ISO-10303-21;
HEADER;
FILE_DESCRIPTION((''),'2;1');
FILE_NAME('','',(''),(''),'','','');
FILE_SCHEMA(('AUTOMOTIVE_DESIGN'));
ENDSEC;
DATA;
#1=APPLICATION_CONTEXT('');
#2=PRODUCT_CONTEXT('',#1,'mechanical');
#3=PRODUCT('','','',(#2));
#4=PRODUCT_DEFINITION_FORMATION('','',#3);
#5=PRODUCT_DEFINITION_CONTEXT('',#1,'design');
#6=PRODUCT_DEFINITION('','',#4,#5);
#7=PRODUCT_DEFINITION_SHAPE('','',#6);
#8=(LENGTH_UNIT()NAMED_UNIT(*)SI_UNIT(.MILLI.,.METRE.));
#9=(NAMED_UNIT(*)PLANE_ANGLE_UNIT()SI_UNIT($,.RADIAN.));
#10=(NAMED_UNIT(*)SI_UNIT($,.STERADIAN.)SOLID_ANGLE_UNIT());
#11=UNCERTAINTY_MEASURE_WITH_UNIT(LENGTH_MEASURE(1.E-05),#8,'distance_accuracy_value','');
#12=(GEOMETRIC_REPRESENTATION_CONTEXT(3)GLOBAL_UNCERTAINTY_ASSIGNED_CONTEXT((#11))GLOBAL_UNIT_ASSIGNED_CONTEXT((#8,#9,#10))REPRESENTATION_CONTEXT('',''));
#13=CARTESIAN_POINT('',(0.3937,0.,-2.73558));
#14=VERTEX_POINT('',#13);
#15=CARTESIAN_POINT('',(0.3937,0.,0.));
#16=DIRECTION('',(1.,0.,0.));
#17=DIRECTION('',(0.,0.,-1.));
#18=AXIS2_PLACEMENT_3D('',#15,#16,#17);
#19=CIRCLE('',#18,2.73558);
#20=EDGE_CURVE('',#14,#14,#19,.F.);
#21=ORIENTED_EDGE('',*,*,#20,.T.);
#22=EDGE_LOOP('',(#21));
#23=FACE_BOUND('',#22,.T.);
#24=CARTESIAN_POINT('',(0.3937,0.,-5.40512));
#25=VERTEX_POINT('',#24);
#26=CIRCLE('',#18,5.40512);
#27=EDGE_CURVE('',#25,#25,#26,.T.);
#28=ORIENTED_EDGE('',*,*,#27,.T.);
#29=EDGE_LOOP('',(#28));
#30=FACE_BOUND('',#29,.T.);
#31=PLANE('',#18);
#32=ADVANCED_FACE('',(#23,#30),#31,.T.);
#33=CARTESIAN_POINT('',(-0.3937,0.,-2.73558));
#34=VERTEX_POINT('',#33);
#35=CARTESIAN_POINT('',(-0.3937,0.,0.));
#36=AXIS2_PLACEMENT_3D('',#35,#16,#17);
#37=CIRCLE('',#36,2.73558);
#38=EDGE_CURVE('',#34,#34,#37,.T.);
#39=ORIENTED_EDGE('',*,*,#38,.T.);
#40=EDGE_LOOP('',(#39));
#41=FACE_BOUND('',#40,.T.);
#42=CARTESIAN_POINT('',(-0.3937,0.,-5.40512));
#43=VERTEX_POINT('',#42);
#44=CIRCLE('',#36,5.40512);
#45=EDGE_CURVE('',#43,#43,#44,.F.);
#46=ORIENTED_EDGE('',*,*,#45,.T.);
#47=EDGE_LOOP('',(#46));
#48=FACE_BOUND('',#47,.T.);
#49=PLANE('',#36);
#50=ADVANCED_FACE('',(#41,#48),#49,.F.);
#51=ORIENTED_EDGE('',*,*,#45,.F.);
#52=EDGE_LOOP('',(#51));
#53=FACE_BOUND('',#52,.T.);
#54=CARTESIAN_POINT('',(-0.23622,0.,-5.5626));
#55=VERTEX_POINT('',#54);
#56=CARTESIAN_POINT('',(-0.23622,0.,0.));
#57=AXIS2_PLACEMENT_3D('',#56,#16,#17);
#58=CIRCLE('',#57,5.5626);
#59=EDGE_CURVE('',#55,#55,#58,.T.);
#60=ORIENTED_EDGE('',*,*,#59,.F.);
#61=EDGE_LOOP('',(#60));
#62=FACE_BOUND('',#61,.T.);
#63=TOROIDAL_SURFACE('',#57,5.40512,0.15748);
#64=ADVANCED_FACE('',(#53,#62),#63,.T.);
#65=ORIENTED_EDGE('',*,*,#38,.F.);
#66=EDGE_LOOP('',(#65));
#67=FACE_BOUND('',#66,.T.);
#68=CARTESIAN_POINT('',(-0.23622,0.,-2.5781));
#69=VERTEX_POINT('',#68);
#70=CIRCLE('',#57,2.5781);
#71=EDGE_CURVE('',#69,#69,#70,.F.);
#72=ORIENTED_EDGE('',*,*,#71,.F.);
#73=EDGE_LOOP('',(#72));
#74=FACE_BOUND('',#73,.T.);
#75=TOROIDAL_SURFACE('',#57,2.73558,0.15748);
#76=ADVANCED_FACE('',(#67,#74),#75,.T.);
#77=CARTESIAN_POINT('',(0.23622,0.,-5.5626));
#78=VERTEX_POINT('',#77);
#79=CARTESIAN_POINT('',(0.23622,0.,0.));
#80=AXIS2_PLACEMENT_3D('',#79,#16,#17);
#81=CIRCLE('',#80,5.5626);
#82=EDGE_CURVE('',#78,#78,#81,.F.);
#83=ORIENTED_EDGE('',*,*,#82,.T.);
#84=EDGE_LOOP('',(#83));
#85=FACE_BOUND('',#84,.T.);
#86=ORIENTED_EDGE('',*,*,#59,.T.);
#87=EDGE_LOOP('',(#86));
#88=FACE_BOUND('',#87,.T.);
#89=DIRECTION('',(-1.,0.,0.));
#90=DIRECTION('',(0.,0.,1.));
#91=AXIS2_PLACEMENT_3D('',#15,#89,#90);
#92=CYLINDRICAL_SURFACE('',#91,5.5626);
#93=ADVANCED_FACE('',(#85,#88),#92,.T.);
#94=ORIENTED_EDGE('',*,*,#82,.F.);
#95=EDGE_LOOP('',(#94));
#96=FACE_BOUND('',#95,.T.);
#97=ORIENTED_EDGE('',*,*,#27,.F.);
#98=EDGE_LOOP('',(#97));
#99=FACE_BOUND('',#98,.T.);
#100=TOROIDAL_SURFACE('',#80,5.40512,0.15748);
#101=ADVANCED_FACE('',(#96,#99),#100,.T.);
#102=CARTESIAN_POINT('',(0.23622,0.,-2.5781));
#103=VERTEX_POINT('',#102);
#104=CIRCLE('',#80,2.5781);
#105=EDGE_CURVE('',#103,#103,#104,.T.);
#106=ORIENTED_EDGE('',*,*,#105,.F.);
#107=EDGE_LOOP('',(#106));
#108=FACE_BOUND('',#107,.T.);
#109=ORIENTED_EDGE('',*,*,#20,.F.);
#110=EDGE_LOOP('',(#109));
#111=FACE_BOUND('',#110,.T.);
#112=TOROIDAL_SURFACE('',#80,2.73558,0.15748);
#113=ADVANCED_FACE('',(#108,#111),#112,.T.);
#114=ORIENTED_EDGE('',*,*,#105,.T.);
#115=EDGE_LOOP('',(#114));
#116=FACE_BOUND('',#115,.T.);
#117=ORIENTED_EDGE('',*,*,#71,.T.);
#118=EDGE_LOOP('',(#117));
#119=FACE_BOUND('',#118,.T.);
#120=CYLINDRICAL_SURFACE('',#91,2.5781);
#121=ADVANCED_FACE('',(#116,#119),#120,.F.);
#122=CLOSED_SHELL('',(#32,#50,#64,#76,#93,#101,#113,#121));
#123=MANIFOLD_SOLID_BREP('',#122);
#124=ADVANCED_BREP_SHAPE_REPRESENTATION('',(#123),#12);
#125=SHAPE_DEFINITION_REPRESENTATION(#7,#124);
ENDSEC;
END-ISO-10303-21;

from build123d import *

# Parameters (mm, degrees)
SKETCH1_R           = 5.5626
SKETCH1_R_2         = 2.5781
BOSS_EXTRUDE1_DEPTH = 0.3937
FILLET1_R           = 0.15748


with BuildPart() as part:
    # Sketch1 → Boss-Extrude1 (new, symmetric)
    with BuildSketch(Plane(origin=(0, 0, 0), x_dir=(0, 0, -1), z_dir=(1, 0, 0))):
        Circle(SKETCH1_R)
        Circle(SKETCH1_R_2, mode=Mode.SUBTRACT)
    extrude(amount=BOSS_EXTRUDE1_DEPTH, both=True)

    # Fillet1
    fillet1_edges = [part.edges().sort_by_distance(p)[0] for p in [
        (-0.3937, 0, 5.5626),
        (0.3937, 0, 5.5626),
        (-0.3937, 0, 2.5781),
        (0.3937, 0, 2.5781),
    ]]
    fillet(fillet1_edges, radius=FILLET1_R)


solid = part.part
